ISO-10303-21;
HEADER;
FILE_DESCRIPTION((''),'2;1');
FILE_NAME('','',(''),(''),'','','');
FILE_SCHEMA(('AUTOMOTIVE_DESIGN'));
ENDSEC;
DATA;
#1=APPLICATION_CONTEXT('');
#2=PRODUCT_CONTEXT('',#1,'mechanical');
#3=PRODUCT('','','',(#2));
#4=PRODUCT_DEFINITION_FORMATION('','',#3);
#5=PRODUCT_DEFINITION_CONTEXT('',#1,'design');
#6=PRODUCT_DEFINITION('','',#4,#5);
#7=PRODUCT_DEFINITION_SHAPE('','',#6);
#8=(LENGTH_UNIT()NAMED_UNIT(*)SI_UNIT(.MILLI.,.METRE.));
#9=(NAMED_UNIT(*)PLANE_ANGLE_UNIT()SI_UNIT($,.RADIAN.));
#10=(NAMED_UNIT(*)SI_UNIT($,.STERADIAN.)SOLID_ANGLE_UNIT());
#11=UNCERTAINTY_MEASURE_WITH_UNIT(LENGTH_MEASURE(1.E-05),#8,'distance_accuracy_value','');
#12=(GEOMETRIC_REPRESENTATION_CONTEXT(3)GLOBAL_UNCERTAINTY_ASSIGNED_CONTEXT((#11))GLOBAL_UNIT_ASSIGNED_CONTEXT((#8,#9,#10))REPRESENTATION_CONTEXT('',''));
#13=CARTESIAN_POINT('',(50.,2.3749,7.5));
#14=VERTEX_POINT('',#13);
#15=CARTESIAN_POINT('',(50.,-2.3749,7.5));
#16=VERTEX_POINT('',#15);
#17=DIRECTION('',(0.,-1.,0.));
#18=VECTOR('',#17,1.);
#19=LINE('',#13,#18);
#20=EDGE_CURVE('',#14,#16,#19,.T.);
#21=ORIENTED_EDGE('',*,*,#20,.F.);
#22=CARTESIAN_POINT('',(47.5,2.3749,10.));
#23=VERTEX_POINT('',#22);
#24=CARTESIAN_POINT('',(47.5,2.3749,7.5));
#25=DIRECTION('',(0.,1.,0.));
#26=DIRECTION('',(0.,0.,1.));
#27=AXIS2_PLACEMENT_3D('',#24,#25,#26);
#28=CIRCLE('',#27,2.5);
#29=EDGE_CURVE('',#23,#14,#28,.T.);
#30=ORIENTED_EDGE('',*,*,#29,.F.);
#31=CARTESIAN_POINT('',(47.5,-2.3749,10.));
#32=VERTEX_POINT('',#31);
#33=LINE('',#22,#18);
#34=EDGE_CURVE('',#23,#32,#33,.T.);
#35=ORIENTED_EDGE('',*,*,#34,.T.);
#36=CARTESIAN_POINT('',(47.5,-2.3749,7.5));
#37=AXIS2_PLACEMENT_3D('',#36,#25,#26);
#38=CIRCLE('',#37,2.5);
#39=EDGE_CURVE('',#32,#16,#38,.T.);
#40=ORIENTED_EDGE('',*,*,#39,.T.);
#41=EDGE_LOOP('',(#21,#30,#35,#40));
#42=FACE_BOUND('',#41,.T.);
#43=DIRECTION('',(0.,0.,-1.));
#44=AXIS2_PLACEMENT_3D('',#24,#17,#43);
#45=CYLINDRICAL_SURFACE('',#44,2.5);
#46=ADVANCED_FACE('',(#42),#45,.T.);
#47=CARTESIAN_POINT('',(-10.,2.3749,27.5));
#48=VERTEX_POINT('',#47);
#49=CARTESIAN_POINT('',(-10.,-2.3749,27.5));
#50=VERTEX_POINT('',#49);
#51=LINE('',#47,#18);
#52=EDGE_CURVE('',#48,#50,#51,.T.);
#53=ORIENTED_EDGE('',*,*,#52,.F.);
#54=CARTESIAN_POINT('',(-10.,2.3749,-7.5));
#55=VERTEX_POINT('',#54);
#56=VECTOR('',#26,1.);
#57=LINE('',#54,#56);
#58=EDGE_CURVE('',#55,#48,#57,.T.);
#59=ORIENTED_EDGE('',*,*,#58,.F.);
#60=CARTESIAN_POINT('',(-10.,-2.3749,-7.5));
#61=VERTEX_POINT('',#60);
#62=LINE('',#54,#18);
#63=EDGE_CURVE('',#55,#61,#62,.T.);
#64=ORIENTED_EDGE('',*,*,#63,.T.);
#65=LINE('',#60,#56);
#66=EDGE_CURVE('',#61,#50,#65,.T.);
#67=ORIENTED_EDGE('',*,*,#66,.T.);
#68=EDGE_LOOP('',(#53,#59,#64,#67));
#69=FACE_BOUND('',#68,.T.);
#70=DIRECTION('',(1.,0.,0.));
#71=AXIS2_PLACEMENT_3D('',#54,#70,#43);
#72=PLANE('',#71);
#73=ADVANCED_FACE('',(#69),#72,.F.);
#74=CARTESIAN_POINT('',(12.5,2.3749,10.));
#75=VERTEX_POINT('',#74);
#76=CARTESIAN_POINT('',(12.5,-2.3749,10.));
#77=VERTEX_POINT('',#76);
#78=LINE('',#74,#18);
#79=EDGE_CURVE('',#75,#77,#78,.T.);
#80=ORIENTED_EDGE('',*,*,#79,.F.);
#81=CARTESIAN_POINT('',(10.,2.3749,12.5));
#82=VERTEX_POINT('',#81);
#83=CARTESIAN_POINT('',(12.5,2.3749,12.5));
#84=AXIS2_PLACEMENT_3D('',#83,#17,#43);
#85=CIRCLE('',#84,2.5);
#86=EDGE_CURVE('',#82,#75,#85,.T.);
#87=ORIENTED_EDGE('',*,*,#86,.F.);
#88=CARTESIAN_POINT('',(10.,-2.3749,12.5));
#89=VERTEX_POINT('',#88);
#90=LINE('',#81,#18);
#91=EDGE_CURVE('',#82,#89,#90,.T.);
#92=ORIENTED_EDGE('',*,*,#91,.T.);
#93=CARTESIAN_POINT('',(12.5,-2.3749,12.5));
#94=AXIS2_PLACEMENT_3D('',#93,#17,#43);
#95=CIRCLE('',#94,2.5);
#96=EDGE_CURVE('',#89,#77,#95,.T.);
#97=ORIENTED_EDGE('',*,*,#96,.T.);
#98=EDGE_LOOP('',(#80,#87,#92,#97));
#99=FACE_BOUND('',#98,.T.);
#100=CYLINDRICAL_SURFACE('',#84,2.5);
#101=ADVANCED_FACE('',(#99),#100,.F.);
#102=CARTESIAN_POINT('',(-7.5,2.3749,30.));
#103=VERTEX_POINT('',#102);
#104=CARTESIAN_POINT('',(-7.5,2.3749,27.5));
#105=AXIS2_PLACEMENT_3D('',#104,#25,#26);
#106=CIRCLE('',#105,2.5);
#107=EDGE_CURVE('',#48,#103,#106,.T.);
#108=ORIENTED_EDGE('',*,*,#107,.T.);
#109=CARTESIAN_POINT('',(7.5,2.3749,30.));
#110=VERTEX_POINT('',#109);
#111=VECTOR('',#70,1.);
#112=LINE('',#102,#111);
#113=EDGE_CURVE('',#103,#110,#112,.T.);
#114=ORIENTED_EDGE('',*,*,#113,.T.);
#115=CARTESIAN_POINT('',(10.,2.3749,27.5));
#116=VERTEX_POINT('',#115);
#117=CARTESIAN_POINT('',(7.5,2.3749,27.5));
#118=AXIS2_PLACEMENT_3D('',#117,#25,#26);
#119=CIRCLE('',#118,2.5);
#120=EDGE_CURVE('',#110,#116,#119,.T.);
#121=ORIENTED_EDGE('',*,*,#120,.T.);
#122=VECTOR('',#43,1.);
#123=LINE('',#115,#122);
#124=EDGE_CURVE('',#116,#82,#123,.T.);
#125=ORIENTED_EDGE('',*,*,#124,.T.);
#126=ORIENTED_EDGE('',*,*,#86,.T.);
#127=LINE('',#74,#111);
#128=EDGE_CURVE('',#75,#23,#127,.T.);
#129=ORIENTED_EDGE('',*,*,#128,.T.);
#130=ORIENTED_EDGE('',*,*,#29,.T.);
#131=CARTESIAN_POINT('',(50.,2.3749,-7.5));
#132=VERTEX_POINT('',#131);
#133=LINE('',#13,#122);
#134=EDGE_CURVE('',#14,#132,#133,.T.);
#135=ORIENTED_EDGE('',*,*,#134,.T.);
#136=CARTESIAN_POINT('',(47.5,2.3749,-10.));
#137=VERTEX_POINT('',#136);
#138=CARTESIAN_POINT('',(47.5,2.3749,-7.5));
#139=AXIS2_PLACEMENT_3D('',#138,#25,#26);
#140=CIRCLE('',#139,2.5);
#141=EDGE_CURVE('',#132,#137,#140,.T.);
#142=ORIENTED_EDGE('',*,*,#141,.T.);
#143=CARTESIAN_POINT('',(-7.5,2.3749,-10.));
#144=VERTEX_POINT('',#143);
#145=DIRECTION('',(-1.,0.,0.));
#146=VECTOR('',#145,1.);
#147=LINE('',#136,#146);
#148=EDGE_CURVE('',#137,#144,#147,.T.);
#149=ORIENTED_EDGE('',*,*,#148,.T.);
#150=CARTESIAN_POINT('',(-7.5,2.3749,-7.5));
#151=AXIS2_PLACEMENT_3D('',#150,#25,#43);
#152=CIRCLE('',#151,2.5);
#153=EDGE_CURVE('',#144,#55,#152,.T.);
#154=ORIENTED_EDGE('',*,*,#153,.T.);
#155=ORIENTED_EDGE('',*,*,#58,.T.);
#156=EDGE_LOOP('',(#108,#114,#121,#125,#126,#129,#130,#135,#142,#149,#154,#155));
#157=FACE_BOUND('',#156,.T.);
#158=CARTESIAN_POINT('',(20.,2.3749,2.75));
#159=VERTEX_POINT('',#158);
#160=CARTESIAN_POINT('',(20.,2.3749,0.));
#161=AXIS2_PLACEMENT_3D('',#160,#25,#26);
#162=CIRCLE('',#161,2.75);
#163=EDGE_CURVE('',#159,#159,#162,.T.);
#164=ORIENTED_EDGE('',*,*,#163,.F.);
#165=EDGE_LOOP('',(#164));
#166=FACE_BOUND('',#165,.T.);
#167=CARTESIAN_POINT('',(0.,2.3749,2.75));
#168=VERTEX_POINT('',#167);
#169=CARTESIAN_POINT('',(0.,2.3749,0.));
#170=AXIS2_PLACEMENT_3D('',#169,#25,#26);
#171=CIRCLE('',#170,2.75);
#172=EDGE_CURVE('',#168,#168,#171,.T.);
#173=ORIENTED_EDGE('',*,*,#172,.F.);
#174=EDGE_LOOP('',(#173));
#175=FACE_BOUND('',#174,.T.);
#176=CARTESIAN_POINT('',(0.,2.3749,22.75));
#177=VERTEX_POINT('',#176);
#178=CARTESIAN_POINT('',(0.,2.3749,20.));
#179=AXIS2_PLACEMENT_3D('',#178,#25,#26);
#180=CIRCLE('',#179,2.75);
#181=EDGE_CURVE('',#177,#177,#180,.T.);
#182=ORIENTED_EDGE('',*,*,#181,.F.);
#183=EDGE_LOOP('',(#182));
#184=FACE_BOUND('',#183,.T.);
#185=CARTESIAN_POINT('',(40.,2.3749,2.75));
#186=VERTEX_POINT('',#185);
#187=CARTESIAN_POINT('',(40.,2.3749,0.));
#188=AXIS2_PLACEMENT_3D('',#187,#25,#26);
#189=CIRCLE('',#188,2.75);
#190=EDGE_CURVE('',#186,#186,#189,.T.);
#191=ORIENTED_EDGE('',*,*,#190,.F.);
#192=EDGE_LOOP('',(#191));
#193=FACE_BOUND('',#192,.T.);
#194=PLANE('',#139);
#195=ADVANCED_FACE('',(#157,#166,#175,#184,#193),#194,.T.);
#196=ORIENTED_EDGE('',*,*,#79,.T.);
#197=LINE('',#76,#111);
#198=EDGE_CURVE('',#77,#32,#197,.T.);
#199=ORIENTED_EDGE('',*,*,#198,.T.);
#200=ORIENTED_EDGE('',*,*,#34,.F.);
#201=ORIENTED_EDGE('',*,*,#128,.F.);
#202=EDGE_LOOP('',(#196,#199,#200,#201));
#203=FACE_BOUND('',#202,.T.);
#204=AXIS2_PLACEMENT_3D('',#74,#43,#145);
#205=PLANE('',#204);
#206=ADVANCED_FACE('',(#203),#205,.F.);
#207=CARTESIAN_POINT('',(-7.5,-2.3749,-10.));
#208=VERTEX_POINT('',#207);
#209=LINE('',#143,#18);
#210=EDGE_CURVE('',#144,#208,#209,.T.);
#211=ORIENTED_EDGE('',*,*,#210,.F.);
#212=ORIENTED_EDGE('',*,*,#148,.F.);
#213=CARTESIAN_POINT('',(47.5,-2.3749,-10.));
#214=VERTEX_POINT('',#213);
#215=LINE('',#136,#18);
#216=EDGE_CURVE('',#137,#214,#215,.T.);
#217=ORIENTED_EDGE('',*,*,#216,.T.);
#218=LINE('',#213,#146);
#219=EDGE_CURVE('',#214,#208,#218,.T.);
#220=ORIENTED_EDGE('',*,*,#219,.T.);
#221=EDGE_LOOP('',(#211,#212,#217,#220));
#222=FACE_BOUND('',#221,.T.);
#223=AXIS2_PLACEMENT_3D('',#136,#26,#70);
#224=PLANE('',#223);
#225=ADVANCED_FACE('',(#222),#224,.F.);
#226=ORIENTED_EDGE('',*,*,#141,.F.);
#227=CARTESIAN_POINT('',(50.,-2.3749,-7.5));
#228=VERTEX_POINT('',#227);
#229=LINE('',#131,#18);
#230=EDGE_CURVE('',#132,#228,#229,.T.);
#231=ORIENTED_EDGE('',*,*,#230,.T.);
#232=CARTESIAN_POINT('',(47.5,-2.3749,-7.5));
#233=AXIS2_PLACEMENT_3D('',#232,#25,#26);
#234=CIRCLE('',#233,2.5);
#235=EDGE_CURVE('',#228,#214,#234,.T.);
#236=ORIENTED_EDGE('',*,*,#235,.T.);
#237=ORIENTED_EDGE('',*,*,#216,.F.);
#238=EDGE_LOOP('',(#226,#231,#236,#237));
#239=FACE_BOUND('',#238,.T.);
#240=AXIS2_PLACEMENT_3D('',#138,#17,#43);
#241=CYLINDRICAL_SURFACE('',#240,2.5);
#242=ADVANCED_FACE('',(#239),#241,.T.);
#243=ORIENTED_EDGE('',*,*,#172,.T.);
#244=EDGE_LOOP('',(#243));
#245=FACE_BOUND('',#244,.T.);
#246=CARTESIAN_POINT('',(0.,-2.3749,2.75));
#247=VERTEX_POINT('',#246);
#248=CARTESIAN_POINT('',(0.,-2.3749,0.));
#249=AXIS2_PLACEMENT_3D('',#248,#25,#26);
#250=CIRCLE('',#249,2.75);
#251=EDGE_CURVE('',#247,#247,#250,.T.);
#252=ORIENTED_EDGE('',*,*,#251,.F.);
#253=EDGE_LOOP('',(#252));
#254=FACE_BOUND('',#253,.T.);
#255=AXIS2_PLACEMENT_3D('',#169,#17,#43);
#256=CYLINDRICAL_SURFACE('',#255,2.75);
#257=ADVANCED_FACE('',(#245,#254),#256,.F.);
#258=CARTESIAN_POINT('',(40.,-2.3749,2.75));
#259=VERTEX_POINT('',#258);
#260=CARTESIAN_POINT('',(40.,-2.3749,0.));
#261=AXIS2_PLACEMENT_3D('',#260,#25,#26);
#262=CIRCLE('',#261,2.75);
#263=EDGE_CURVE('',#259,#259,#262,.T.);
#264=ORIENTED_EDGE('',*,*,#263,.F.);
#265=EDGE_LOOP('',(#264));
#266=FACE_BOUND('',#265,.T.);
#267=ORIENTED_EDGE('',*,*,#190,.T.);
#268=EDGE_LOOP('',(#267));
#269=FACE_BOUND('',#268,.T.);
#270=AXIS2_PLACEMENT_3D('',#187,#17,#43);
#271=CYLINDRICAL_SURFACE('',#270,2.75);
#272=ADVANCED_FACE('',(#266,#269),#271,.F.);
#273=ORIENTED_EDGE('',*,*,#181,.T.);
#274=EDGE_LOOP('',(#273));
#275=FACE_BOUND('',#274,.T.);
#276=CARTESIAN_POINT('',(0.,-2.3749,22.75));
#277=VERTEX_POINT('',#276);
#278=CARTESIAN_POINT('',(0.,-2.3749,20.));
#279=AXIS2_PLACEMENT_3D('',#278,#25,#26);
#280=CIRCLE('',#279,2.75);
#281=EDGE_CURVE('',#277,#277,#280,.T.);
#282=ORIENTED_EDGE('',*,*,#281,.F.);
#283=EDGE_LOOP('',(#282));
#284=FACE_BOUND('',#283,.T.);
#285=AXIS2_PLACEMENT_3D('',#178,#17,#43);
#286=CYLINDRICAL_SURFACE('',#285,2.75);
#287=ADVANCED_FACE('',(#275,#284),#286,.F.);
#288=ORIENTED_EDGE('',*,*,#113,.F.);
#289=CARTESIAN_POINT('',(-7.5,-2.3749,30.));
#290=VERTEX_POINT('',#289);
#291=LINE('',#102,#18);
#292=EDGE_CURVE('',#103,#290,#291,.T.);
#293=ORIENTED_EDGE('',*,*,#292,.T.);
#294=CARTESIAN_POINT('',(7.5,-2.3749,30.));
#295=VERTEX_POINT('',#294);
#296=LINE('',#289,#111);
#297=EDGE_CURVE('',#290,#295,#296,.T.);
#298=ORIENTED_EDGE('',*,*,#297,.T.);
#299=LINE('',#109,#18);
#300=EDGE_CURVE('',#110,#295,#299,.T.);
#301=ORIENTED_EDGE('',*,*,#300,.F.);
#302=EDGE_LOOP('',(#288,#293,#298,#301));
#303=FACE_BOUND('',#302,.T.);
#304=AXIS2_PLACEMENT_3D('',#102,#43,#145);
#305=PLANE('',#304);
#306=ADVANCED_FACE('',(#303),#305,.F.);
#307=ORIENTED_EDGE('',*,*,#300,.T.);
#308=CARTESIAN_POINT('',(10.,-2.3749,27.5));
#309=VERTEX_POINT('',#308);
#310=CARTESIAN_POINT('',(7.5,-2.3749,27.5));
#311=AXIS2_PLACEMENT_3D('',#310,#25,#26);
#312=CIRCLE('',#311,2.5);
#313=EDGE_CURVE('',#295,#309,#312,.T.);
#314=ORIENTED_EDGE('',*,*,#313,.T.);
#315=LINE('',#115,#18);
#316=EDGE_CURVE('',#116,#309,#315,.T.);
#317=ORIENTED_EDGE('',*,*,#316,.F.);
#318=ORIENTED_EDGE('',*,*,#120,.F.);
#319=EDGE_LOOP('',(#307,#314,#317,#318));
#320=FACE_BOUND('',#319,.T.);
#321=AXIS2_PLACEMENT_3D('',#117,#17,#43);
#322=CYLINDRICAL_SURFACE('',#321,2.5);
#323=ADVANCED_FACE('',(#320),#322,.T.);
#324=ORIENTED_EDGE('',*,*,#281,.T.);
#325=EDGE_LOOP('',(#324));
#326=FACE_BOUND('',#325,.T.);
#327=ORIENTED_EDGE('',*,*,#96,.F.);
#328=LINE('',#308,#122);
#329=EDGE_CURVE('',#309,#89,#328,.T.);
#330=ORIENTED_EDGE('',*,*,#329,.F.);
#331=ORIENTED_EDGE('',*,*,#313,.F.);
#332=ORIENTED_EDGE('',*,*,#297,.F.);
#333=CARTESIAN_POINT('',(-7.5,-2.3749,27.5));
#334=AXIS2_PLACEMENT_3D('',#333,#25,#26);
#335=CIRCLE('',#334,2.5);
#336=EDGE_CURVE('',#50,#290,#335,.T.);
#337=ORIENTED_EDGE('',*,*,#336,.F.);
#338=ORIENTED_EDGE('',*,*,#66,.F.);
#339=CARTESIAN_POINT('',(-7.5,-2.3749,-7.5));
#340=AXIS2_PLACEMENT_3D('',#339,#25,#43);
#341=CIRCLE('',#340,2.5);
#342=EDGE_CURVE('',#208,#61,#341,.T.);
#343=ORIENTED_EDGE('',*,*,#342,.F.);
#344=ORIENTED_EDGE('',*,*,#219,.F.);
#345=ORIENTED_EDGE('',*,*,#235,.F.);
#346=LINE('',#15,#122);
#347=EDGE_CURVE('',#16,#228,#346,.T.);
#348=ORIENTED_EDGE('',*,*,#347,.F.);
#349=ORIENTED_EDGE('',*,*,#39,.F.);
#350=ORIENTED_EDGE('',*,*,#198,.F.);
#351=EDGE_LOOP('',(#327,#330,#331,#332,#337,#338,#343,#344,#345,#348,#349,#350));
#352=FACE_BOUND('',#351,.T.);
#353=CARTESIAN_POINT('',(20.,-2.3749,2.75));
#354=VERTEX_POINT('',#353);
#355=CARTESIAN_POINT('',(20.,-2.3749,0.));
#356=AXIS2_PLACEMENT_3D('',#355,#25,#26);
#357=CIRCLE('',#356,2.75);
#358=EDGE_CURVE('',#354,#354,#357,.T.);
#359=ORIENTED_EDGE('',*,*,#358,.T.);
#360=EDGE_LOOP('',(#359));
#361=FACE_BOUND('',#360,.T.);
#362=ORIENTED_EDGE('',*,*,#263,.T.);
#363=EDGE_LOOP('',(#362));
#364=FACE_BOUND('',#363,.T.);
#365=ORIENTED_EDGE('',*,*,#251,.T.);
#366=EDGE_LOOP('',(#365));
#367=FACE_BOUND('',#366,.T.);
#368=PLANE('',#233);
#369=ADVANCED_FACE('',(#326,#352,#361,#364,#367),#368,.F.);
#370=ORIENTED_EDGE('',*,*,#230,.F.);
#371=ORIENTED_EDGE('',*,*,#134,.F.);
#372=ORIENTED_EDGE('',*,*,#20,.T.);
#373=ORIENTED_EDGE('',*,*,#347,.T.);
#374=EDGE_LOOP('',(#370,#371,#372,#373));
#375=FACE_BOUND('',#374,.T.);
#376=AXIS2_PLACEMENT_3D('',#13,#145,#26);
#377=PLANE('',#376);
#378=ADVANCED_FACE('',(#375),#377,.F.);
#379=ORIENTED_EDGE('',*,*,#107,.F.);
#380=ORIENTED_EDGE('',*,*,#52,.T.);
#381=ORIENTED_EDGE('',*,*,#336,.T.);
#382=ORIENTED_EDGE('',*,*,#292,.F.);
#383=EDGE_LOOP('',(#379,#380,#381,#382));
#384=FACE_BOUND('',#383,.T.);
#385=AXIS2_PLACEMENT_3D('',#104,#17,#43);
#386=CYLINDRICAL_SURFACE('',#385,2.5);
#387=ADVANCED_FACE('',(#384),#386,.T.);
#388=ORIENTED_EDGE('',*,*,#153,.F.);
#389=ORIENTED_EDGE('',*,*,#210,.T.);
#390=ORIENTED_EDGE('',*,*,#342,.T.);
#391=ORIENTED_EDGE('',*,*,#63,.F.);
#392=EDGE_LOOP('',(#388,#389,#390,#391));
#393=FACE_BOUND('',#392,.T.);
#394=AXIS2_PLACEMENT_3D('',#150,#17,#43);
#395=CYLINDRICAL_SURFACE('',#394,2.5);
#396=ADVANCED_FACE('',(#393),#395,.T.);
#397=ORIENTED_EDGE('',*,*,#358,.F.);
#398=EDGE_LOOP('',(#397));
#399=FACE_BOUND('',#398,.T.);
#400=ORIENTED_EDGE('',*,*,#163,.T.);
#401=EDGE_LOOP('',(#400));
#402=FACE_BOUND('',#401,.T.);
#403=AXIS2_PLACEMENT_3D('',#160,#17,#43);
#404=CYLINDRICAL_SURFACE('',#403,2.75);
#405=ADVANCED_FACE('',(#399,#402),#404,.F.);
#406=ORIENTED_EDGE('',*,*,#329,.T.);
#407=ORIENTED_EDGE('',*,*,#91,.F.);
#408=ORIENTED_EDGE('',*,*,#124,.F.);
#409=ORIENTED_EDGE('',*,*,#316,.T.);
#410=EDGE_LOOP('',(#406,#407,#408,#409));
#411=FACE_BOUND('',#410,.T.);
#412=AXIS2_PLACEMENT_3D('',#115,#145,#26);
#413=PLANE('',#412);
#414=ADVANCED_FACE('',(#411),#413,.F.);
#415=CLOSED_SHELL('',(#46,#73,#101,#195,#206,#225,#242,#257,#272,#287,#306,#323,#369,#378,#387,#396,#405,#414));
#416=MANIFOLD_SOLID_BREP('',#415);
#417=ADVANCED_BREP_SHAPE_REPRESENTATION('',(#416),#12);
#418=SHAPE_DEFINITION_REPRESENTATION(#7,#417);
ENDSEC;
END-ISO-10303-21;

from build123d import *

# Parameters (mm, degrees)
SKETCH1_R           = 2.75
BOSS_EXTRUDE1_DEPTH = 2.3749


with BuildPart() as part:
    # Sketch1 → Boss-Extrude1 (new, symmetric)
    with BuildSketch(Plane(origin=(0, 0, 0), x_dir=(1, 0, 0), z_dir=(0, 1, 0))):
        with BuildLine():
            Line((-10, 7.5), (-10, -27.5))
            ThreePointArc((-10, -27.5), (-9.267766953, -29.267766953), (-7.5, -30))
            Line((-7.5, -30), (7.5, -30))
            ThreePointArc((7.5, -30), (9.267766953, -29.267766953), (10, -27.5))
            Line((10, -27.5), (10, -12.5))
            ThreePointArc((10, -12.5), (10.732233047, -10.732233047), (12.5, -10))
            Line((12.5, -10), (47.5, -10))
            ThreePointArc((47.5, -10), (49.267766953, -9.267766953), (50, -7.5))
            Line((50, -7.5), (50, 7.5))
            ThreePointArc((50, 7.5), (49.267766953, 9.267766953), (47.5, 10))
            Line((47.5, 10), (-7.5, 10))
            ThreePointArc((-7.5, 10), (-9.267766953, 9.267766953), (-10, 7.5))
        make_face()
        with Locations(Location((0, 0, 0), (0, 0, 270))):
            Circle(SKETCH1_R, mode=Mode.SUBTRACT)
        with Locations(Location((20, 0, 0), (0, 0, 270))):
            Circle(SKETCH1_R, mode=Mode.SUBTRACT)
        with Locations(Location((40, 0, 0), (0, 0, 270))):
            Circle(SKETCH1_R, mode=Mode.SUBTRACT)
        with Locations(Location((0, -20, 0), (0, 0, 270))):
            Circle(SKETCH1_R, mode=Mode.SUBTRACT)
    extrude(amount=BOSS_EXTRUDE1_DEPTH, both=True)


solid = part.part
